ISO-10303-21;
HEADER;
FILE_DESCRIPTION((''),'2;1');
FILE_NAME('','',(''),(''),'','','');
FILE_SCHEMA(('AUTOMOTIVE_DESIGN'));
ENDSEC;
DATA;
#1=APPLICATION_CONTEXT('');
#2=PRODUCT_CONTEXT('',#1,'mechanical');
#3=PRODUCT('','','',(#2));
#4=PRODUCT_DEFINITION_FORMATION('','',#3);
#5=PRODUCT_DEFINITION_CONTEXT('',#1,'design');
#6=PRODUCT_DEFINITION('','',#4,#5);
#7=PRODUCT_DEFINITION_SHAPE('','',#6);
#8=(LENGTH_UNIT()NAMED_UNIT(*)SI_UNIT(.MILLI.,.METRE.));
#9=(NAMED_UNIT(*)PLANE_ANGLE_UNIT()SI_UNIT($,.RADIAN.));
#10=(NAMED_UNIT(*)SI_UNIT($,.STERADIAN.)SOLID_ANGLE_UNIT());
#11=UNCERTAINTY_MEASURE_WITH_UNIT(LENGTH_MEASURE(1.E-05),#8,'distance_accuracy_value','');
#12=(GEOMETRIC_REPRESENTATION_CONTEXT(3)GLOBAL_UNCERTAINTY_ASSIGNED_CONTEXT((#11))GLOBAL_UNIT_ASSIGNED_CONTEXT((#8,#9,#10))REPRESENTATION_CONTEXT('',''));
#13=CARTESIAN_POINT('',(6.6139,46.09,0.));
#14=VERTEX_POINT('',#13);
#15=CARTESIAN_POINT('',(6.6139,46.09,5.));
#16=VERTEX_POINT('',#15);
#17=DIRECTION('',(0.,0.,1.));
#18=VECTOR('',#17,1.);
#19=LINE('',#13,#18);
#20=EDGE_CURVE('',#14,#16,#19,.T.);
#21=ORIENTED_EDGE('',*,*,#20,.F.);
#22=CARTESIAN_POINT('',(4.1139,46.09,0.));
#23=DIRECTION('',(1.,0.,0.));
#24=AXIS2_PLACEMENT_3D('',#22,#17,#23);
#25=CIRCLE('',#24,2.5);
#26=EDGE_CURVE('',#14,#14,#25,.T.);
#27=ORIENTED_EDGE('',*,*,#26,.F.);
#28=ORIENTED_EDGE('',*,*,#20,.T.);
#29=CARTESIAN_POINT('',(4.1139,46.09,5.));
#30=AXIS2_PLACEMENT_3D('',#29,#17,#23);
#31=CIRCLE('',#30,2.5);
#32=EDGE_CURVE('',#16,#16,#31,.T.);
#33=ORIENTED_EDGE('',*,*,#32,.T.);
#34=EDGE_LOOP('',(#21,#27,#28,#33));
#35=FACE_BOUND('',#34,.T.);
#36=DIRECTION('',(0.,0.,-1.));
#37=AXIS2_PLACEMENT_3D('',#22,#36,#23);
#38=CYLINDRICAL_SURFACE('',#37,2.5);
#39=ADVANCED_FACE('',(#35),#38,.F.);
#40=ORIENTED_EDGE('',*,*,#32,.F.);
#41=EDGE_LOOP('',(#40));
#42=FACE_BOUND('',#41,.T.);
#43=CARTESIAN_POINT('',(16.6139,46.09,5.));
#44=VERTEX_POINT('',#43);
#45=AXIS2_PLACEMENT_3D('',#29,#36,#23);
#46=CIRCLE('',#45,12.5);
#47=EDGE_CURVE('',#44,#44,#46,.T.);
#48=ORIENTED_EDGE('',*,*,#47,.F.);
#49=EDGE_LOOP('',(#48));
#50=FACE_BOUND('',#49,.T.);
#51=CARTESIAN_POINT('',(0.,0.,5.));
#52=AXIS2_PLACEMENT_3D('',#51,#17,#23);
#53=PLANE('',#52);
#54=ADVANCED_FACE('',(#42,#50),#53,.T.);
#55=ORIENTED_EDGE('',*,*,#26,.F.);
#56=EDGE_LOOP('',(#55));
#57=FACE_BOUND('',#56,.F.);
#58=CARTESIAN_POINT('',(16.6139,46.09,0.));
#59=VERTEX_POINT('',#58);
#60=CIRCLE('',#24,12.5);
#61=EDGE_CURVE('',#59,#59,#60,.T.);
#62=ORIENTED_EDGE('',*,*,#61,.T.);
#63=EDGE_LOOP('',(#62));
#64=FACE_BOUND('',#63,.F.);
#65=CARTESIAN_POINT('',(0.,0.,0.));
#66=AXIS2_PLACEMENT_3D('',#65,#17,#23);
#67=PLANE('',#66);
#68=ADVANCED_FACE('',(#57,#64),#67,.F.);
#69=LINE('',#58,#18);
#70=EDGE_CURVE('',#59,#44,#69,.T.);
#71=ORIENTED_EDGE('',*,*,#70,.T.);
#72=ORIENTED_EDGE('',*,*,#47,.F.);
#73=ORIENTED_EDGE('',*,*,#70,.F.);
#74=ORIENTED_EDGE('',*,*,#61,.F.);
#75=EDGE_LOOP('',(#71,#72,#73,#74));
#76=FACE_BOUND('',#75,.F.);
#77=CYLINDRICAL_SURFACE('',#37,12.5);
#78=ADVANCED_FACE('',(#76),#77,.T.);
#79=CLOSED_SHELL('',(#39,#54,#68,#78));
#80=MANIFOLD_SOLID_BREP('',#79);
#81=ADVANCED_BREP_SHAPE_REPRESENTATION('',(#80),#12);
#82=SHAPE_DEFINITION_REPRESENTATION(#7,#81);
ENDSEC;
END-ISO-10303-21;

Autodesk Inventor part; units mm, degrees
ref_plane "YZ Plane" through (0, 0, 0) normal (1, 0, 0) x (0, 1, 0)
ref_plane "XZ Plane" through (0, 0, 0) normal (0, 1, 0) x (-1, 0, 0)
ref_plane "XY Plane" through (0, 0, 0) normal (0, 0, 1) x (1, 0, 0)
sketch "草图1" plane through (0, 0, 0) normal (0, 0, 1) x (1, 0, 0)
  circle A0 centre (-11.6139, -15) radius 1.5 projected
  circle A1 centre (-11.6139, 30) radius 1.5 projected
  circle A2 centre (-11.6139, -30) radius 1.5 projected
  circle A3 centre (-11.6139, 0) radius 1.5 projected
  circle A4 centre (-11.6139, 15) radius 1.5 projected
  circle A5 centre (4.1139, -46.09) radius 2.5 projected
  circle A6 centre (4.1139, 46.09) radius 2.5 projected
  arc A7 (14.6139, -69.4727) -> (19.1139, -66.8746) centre (16.1139, -66.8746) ccw projected
  line L0 (19.1139, -66.8746) -> (19.1139, -60.9783) projected
  line L1 (19.1139, -60.9783) -> (7.115, -57.7054) projected
  line L2 (7.115, -57.7054) -> (7.115, 54.3279) projected
  line L3 (7.115, 54.3279) -> (19.1139, 59.6306) projected
  line L4 (19.1139, 59.6306) -> (19.1139, 66.8746) projected
  arc A8 (19.1139, 66.8746) -> (14.6139, 69.4727) centre (16.1139, 66.8746) ccw projected
  line L5 (14.6139, 69.4727) -> (-17.6139, 50.866) projected
  arc A9 (-17.6139, 50.866) -> (-19.1139, 48.2679) centre (-16.1139, 48.2679) ccw projected
  line L6 (-19.1139, 48.2679) -> (-19.1139, -48.2679) projected
  arc A10 (-19.1139, -48.2679) -> (-17.6139, -50.866) centre (-16.1139, -48.2679) ccw projected
  line L7 (-17.6139, -50.866) -> (14.6139, -69.4727) projected
  circle A11 centre (4.1139, 46.09) radius 12.5
  point P0 (0, 0)
  dimension "d0" = 25
extrude "拉伸1" add sketch "草图1" along normal blind 5 contours A11 L3 L2 | L2 L3 A11
properties part number "大齿轮"
